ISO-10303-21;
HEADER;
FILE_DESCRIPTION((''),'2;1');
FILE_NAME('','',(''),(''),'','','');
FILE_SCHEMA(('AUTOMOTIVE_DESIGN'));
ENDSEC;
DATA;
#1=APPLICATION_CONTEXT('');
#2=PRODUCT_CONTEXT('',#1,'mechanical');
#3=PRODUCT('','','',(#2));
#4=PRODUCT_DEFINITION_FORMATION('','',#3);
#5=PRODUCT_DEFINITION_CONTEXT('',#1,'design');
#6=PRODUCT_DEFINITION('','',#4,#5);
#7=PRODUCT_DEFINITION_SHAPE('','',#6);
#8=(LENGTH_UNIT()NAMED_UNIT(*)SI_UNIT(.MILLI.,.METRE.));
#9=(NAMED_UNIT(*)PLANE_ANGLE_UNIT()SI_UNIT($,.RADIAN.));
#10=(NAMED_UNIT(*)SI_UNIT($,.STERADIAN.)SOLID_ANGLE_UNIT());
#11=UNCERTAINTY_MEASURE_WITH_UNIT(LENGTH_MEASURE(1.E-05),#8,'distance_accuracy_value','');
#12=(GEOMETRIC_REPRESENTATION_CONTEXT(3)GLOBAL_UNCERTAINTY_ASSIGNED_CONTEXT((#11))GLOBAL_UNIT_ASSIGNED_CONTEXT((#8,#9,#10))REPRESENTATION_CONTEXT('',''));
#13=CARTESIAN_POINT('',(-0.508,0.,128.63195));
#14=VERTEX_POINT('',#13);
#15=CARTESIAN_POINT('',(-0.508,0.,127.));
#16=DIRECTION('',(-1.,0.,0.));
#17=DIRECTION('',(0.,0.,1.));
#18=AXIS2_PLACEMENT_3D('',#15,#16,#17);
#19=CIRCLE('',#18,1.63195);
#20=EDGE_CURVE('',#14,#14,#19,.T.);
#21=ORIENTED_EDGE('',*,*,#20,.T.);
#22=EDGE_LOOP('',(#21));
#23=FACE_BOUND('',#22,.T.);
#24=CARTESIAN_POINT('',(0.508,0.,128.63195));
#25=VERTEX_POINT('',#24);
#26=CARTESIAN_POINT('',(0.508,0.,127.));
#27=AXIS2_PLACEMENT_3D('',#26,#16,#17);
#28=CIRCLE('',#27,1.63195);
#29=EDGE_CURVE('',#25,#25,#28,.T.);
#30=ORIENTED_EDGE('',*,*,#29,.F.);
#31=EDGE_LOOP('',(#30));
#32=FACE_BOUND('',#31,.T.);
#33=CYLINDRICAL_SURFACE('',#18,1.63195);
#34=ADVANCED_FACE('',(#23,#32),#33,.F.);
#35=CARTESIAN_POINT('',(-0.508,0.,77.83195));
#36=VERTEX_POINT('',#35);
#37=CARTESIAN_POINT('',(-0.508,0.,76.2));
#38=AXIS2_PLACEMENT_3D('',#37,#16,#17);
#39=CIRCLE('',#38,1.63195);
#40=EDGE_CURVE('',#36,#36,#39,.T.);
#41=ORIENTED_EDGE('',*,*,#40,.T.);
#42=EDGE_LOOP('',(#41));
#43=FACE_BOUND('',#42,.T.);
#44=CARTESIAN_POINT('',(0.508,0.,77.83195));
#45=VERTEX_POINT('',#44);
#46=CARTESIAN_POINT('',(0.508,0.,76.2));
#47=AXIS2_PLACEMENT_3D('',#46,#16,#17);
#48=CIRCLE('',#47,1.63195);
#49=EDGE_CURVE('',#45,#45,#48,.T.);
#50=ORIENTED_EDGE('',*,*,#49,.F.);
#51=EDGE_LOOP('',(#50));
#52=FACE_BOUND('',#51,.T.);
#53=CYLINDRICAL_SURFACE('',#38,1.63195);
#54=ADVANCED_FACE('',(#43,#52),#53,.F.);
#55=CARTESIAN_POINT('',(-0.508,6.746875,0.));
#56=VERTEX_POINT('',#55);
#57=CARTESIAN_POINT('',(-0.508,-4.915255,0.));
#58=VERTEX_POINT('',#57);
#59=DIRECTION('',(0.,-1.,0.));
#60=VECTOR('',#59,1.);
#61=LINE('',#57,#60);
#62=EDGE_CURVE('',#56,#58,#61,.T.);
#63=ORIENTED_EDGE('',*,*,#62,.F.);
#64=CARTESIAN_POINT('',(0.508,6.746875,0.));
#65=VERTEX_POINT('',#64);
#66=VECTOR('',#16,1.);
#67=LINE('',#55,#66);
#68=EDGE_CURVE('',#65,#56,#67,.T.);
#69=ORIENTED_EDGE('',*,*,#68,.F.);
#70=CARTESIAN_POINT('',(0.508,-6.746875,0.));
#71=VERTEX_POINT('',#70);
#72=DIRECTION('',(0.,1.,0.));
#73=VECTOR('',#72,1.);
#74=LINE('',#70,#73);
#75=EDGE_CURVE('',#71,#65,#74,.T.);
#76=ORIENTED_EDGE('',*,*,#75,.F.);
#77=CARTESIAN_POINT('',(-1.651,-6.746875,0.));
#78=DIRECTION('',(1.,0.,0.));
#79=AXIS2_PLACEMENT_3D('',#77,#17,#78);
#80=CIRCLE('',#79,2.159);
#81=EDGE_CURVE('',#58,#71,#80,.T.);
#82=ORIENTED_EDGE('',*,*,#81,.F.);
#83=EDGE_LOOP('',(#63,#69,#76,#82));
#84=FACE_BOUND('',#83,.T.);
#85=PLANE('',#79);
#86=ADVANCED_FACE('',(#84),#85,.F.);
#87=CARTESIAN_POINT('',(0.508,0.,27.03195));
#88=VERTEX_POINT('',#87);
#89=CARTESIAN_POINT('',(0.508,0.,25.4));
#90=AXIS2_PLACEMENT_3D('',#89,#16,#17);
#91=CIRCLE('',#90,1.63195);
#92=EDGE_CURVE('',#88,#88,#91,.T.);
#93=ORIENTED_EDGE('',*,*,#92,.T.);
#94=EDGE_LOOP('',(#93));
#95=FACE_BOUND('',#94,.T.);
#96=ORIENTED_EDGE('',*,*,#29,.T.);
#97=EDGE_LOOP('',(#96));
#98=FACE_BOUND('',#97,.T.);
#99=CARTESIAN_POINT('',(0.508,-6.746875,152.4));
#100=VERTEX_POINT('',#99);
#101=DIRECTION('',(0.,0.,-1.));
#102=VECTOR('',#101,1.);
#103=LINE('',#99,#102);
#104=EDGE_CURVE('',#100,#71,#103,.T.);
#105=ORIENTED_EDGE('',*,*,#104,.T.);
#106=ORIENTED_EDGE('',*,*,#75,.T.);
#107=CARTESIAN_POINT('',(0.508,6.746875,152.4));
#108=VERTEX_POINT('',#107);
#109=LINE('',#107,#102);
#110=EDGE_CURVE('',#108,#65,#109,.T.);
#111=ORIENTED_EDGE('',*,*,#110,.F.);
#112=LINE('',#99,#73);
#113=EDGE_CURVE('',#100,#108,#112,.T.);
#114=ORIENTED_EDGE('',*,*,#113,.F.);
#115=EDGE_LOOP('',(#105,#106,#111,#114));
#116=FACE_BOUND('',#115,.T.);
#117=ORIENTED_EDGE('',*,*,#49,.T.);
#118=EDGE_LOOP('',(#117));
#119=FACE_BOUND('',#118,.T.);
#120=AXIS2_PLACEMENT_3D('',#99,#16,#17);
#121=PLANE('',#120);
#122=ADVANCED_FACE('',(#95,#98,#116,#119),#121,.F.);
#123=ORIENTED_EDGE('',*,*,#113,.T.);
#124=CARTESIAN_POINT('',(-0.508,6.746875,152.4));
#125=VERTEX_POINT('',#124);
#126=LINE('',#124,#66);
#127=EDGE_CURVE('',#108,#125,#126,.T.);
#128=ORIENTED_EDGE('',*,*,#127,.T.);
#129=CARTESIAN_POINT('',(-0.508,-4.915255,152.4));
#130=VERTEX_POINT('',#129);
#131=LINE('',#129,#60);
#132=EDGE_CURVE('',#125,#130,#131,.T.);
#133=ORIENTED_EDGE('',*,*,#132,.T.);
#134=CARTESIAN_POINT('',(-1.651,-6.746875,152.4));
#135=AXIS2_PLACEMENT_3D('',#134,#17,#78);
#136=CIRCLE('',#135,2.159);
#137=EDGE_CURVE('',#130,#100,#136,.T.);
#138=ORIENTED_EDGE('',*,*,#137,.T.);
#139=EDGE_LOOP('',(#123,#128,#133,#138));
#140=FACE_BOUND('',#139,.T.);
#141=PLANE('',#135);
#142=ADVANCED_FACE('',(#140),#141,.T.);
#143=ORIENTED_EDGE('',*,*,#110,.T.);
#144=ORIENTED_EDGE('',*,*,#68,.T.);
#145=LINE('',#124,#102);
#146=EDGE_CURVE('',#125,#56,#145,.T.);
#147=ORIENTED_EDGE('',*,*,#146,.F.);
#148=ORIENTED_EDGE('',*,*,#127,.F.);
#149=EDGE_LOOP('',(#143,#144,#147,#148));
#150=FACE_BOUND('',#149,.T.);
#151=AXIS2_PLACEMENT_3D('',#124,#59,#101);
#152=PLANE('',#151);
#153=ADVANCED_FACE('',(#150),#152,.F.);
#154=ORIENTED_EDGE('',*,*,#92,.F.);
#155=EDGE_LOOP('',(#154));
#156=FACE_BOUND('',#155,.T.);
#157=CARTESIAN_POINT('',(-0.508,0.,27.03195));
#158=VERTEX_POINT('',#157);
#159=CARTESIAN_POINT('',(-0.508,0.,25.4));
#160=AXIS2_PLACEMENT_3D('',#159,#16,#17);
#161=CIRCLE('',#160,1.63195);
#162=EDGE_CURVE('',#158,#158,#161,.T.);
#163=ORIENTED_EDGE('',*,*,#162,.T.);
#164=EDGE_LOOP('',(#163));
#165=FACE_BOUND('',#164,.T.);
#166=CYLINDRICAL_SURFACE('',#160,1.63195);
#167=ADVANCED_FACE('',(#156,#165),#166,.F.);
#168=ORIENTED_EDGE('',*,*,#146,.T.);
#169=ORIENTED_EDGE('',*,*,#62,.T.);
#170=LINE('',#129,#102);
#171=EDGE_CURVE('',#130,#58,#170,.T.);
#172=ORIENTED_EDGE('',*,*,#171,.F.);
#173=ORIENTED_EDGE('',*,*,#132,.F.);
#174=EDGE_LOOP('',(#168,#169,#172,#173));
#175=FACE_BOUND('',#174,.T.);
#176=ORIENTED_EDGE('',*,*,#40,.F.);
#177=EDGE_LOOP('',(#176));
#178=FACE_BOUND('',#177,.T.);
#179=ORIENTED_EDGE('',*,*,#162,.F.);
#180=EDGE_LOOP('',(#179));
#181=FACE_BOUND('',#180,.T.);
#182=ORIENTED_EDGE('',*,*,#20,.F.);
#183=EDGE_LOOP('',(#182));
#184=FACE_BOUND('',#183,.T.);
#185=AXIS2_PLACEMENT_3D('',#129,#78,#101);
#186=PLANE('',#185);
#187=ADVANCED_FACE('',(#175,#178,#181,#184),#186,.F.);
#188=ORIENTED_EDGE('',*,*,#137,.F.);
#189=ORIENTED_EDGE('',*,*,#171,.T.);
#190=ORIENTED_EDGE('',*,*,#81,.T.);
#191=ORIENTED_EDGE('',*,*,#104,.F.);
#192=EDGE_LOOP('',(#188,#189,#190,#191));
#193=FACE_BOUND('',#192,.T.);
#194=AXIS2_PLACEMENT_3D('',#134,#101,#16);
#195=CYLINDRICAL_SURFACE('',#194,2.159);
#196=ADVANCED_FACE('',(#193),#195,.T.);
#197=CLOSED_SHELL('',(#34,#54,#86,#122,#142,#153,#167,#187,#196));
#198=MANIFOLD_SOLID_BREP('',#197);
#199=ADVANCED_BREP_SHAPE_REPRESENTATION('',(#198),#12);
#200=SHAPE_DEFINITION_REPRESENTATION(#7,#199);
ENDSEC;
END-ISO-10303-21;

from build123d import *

# Parameters (mm, degrees)
BOSS_EXTRUDE2_DEPTH       = 152.4
F_4_CLEARANCE_HOLE1_D     = 3.2639
F_4_CLEARANCE_HOLE1_DEPTH = 1.524
F_4_CLEARANCE_HOLE1_TIP   = 0.980574487


with BuildPart() as part:
    # Sketch2 → Boss-Extrude2 (new body)
    with BuildSketch(Plane.XY):
        with BuildLine():
            Line((-0.508, -4.915254952), (-0.508, 6.746875))
            Line((-0.508, 6.746875), (0.508, 6.746875))
            Line((0.508, 6.746875), (0.508, -6.746875))
            ThreePointArc((0.508, -6.746875), (-3.538990731, -7.794143829), (-0.508, -4.915254952))
        make_face()
    extrude(amount=BOSS_EXTRUDE2_DEPTH)

    # #4 Clearance Hole1
    with Locations(Plane.ZY.offset(0.508)):
        with Locations((25.4, 0), (76.2, 0), (127, 0)):
            Hole(F_4_CLEARANCE_HOLE1_D / 2, depth=F_4_CLEARANCE_HOLE1_DEPTH)
            with Locations((0, 0, -(F_4_CLEARANCE_HOLE1_DEPTH + F_4_CLEARANCE_HOLE1_TIP / 2))):  # 118° drill point
                Cone(0, F_4_CLEARANCE_HOLE1_D / 2, F_4_CLEARANCE_HOLE1_TIP, mode=Mode.SUBTRACT)


solid = part.part
